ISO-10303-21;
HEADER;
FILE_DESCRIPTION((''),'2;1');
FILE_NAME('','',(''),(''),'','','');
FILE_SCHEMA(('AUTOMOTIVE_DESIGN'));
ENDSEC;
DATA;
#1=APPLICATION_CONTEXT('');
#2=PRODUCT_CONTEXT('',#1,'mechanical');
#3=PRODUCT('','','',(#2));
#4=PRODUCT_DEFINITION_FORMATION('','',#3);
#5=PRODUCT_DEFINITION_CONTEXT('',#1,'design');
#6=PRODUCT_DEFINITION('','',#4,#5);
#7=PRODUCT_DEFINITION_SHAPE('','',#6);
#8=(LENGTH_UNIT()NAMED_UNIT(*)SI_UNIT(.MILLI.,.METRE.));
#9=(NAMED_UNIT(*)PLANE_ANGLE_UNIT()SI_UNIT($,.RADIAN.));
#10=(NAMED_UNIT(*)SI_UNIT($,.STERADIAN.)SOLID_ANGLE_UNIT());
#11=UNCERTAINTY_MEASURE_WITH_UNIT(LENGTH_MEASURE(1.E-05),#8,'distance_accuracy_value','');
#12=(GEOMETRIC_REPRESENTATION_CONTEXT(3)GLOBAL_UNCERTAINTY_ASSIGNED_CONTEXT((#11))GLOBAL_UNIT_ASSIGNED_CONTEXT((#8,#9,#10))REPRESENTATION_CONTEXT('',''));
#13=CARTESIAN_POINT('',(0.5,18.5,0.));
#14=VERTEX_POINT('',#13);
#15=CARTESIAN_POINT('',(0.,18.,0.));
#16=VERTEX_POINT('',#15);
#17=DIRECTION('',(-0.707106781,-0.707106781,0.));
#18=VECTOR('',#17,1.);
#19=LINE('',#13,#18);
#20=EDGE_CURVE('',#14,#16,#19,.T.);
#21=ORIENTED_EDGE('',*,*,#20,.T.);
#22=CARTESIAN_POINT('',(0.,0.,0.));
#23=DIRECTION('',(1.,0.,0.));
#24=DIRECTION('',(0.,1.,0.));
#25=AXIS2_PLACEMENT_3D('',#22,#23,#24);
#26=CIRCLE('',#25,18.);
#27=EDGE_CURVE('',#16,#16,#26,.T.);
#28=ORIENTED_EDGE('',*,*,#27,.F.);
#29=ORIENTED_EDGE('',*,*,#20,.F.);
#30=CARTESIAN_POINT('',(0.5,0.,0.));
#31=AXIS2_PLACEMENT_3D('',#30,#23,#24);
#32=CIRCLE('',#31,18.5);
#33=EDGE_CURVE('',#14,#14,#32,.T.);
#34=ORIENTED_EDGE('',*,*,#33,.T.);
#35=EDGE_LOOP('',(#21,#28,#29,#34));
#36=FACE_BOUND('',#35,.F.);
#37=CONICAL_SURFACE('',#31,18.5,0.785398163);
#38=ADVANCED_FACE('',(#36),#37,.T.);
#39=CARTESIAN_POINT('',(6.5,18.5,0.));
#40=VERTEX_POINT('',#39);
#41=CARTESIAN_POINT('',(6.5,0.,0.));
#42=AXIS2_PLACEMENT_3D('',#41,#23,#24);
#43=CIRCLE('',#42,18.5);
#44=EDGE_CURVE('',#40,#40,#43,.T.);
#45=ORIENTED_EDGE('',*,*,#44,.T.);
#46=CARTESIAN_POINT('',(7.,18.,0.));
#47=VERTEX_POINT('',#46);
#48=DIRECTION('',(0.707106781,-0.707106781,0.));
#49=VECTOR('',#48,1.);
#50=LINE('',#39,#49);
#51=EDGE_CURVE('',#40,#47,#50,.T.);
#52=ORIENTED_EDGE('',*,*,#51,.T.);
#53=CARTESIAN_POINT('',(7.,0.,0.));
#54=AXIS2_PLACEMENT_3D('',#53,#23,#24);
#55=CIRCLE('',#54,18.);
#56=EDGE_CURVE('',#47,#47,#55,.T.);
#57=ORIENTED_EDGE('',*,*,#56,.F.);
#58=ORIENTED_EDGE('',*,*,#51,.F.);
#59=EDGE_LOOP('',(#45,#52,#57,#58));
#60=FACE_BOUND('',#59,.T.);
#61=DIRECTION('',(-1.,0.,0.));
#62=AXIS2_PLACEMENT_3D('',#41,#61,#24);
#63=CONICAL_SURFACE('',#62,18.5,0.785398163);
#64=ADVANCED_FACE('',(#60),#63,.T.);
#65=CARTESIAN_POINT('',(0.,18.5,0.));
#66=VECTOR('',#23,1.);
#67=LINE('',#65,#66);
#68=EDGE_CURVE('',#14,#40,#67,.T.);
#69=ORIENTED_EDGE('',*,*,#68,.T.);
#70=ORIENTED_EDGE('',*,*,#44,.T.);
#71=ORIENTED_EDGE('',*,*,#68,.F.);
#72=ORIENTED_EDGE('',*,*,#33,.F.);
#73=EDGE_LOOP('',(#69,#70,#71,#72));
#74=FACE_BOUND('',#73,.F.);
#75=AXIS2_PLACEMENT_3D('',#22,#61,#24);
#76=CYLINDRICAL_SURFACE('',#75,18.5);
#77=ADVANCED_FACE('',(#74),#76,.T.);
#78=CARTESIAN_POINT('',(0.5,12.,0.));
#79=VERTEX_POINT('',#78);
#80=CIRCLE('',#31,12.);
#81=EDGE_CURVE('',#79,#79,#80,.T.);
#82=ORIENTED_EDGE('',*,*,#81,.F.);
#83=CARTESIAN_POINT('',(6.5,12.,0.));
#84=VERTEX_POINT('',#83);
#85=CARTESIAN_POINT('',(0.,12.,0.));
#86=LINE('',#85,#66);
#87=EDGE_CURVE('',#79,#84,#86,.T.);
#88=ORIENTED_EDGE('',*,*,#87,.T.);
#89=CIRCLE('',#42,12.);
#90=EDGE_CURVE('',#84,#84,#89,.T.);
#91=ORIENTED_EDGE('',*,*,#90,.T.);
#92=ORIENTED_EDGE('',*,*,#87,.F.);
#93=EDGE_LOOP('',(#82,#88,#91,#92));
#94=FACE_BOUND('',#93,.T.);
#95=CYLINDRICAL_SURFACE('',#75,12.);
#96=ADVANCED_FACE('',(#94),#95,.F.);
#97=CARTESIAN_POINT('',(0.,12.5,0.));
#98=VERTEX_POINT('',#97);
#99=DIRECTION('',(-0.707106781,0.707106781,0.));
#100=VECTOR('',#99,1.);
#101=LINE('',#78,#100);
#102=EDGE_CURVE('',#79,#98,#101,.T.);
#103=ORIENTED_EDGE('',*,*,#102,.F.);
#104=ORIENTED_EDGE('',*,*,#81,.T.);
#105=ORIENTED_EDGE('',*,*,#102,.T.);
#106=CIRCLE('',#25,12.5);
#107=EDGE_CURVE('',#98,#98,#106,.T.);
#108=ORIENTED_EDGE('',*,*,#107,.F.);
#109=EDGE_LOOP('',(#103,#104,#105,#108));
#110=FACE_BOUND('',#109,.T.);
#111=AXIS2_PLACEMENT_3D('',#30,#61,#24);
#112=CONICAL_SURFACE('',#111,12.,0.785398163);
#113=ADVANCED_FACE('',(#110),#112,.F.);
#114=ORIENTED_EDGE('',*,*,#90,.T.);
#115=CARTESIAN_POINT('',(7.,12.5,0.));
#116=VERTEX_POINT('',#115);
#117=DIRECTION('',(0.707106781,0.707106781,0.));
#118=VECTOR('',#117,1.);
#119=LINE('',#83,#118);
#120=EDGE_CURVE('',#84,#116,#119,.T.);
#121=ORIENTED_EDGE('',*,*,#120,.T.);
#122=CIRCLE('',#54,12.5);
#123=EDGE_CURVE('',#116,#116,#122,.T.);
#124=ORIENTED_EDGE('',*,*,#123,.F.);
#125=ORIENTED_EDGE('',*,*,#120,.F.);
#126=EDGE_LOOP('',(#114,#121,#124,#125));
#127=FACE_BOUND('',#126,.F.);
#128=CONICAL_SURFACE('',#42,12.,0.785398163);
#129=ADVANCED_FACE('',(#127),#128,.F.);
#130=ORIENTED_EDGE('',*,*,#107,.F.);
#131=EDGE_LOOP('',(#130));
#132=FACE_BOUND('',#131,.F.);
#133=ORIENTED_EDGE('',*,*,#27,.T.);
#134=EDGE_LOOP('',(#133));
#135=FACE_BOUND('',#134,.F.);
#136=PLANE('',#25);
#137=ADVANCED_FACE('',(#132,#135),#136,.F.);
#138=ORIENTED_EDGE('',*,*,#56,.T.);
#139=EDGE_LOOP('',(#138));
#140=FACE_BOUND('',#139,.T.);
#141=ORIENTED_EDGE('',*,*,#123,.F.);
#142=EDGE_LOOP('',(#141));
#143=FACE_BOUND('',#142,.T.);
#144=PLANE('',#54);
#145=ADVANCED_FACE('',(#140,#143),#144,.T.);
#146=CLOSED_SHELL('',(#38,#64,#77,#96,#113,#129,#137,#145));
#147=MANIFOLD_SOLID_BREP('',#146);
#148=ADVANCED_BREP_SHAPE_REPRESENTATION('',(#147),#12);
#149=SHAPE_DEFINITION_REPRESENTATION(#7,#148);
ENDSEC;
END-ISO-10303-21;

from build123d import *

# Parameters (mm, degrees)
F0_R     = 18.5
F0_R_2   = 12
F1_DEPTH = 7
F2_SIZE  = 0.5


with BuildPart() as f1:
    # F0 (on Right) → F1 (new body)
    with BuildSketch(Plane.YZ):
        Circle(F0_R)
        Circle(F0_R_2, mode=Mode.SUBTRACT)
    extrude(amount=F1_DEPTH)

    # F2
    f2_edges = [f1.edges().sort_by_distance(p)[0] for p in [
        (0, -18.5, 0),
        (7, -18.5, 0),
        (0, -12, 0),
        (7, -12, 0),
    ]]
    chamfer(f2_edges, length=F2_SIZE)


solid = f1.part
